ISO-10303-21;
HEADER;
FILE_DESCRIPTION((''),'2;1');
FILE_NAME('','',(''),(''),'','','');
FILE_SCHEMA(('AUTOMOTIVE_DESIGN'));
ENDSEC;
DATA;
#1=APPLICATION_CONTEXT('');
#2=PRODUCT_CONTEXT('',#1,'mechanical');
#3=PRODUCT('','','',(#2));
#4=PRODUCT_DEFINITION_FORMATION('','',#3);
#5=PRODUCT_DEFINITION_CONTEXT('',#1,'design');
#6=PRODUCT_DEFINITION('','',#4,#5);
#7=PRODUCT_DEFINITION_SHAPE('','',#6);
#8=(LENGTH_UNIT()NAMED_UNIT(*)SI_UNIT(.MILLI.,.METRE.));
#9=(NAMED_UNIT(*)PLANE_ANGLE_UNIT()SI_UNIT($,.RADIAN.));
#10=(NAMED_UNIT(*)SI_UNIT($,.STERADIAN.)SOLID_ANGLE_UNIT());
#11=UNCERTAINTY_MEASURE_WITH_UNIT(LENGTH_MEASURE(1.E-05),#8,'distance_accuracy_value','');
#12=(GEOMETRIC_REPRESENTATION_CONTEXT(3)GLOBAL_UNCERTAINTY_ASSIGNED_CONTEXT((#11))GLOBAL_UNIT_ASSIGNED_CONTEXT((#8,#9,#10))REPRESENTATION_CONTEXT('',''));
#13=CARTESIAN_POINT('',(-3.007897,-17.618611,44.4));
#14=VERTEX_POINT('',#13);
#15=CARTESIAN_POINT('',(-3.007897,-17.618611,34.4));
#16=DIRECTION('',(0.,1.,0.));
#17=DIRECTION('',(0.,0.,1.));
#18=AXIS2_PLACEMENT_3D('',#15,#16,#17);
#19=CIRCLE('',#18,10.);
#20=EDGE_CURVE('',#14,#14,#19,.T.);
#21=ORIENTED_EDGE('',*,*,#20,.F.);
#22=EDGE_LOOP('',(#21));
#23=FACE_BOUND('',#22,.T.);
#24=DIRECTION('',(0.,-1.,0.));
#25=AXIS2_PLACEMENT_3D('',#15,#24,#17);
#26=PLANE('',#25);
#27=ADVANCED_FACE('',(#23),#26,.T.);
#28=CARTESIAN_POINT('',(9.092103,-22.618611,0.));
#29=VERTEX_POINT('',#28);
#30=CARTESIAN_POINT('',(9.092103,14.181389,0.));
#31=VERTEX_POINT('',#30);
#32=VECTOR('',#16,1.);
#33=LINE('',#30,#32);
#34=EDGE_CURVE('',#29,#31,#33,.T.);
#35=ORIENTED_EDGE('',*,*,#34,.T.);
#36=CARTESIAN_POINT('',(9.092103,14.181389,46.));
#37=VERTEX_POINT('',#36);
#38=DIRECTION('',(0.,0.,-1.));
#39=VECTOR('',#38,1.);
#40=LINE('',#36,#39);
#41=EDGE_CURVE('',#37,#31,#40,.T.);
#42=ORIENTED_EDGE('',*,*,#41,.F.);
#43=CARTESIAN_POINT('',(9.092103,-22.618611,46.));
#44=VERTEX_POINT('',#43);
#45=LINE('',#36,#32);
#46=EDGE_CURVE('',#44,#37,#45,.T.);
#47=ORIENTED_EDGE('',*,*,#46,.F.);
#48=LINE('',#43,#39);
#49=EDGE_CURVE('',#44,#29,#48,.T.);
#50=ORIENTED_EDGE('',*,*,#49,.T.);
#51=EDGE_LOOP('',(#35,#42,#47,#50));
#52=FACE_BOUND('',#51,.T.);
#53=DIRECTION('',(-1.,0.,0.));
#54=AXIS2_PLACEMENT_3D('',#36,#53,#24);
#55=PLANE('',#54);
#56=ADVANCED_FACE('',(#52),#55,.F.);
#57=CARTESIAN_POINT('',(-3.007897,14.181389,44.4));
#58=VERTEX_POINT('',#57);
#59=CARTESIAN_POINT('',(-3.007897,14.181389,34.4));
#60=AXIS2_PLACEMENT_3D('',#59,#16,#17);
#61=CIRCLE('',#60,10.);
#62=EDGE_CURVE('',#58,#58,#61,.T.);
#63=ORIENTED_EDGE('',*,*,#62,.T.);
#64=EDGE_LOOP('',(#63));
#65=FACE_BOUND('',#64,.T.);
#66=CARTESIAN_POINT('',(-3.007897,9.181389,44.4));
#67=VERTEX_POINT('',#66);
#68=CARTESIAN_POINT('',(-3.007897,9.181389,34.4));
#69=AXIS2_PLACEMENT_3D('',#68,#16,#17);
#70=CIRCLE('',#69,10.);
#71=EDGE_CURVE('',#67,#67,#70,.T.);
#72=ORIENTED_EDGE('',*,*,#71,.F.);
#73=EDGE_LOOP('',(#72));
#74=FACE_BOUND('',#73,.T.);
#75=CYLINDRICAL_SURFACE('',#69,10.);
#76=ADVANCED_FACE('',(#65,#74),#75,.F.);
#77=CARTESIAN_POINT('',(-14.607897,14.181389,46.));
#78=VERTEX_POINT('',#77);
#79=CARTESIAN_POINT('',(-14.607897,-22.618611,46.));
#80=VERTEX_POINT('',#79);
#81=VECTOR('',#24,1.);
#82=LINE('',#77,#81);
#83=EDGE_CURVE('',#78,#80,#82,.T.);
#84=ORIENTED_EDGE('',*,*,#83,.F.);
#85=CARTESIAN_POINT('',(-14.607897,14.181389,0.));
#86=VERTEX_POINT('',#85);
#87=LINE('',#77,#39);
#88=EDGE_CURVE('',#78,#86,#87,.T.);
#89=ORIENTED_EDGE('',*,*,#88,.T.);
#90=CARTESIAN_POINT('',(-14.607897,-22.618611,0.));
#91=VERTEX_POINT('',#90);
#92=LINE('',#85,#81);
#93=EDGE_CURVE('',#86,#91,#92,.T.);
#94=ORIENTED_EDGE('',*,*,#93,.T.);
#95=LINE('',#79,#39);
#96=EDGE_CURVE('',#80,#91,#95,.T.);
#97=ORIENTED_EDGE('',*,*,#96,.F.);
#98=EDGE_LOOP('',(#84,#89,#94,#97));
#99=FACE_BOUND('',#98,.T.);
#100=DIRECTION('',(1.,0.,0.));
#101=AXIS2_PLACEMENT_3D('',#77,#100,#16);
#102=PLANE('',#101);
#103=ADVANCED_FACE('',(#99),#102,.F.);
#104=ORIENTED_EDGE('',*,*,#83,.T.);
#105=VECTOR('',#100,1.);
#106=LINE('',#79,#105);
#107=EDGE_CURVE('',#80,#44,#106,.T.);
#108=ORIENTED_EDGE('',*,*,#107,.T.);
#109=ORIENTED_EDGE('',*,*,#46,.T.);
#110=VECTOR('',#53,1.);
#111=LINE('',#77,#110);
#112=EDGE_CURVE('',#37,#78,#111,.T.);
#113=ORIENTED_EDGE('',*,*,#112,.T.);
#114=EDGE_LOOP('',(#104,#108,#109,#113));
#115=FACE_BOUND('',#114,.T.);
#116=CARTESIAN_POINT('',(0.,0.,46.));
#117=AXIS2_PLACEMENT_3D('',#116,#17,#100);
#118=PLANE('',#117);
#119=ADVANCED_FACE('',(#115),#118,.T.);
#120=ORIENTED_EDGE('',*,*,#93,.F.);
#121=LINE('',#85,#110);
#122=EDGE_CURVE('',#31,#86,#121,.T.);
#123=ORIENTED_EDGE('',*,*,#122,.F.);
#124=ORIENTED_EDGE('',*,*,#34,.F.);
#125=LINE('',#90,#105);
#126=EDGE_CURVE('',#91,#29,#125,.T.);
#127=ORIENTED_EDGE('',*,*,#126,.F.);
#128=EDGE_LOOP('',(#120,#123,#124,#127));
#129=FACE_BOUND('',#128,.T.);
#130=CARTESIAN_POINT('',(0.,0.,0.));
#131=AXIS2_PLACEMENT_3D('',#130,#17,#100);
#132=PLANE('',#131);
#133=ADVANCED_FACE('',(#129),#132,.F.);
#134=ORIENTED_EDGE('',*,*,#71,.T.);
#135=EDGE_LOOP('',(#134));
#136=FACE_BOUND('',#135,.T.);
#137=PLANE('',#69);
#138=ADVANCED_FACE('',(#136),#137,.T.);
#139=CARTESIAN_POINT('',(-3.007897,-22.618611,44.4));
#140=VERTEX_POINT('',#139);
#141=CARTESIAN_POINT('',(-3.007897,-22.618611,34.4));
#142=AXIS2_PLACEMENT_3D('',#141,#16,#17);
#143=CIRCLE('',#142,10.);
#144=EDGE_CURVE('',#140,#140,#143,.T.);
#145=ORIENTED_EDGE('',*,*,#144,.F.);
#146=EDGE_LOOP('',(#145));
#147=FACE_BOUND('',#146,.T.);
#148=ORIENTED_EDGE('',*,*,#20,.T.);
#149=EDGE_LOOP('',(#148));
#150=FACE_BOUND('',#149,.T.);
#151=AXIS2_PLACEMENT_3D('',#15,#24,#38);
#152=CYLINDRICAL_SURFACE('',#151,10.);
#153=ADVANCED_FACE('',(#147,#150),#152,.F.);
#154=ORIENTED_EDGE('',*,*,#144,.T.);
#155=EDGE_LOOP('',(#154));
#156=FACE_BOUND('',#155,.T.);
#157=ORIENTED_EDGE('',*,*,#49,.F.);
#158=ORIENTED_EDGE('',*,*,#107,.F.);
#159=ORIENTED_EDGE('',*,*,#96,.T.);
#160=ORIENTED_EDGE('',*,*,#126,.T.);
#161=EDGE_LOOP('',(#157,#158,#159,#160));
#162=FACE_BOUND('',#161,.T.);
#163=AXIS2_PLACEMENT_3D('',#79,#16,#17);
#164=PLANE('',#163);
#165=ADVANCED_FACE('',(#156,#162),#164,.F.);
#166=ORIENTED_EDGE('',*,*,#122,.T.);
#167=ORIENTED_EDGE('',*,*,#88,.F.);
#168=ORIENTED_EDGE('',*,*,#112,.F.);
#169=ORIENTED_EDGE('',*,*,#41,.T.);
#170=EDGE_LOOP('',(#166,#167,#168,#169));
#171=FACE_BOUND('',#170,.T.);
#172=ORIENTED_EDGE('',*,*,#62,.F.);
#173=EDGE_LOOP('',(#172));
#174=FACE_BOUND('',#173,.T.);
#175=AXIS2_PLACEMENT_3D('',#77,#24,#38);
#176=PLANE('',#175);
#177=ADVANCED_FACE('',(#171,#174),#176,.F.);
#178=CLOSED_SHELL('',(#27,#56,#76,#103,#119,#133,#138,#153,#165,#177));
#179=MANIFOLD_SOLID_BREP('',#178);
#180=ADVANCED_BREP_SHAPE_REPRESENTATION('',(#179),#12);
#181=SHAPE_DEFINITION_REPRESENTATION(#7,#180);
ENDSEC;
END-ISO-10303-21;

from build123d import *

# Parameters (mm, degrees)
SKETCH1_W           = 23.7
SKETCH1_H           = 36.8
BOSS_EXTRUDE2_DEPTH = 46
SKETCH2_R           = 10
CUT_EXTRUDE1_DEPTH  = 5


with BuildPart() as part:
    # Sketch1 → Boss-Extrude2 (new body)
    with BuildSketch(Plane.XY):
        with Locations((-2.757896825, -4.218611111)):
            Rectangle(SKETCH1_W, SKETCH1_H)
    extrude(amount=BOSS_EXTRUDE2_DEPTH)

    # Sketch2 → Cut-Extrude1 (cut)
    with BuildSketch(Plane(origin=(0, 14.181388889, 0), x_dir=(1, 0, 0), z_dir=(0, 1, 0))):
        with Locations((-3.007896825, -34.4)):
            Circle(SKETCH2_R)
    cut_extrude1 = extrude(amount=-CUT_EXTRUDE1_DEPTH, mode=Mode.SUBTRACT)

    # Mirror1: Cut-Extrude1 across plane
    add(cut_extrude1.mirror(Plane.ZX.offset(-4.218611111)), mode=Mode.SUBTRACT)


solid = part.part
